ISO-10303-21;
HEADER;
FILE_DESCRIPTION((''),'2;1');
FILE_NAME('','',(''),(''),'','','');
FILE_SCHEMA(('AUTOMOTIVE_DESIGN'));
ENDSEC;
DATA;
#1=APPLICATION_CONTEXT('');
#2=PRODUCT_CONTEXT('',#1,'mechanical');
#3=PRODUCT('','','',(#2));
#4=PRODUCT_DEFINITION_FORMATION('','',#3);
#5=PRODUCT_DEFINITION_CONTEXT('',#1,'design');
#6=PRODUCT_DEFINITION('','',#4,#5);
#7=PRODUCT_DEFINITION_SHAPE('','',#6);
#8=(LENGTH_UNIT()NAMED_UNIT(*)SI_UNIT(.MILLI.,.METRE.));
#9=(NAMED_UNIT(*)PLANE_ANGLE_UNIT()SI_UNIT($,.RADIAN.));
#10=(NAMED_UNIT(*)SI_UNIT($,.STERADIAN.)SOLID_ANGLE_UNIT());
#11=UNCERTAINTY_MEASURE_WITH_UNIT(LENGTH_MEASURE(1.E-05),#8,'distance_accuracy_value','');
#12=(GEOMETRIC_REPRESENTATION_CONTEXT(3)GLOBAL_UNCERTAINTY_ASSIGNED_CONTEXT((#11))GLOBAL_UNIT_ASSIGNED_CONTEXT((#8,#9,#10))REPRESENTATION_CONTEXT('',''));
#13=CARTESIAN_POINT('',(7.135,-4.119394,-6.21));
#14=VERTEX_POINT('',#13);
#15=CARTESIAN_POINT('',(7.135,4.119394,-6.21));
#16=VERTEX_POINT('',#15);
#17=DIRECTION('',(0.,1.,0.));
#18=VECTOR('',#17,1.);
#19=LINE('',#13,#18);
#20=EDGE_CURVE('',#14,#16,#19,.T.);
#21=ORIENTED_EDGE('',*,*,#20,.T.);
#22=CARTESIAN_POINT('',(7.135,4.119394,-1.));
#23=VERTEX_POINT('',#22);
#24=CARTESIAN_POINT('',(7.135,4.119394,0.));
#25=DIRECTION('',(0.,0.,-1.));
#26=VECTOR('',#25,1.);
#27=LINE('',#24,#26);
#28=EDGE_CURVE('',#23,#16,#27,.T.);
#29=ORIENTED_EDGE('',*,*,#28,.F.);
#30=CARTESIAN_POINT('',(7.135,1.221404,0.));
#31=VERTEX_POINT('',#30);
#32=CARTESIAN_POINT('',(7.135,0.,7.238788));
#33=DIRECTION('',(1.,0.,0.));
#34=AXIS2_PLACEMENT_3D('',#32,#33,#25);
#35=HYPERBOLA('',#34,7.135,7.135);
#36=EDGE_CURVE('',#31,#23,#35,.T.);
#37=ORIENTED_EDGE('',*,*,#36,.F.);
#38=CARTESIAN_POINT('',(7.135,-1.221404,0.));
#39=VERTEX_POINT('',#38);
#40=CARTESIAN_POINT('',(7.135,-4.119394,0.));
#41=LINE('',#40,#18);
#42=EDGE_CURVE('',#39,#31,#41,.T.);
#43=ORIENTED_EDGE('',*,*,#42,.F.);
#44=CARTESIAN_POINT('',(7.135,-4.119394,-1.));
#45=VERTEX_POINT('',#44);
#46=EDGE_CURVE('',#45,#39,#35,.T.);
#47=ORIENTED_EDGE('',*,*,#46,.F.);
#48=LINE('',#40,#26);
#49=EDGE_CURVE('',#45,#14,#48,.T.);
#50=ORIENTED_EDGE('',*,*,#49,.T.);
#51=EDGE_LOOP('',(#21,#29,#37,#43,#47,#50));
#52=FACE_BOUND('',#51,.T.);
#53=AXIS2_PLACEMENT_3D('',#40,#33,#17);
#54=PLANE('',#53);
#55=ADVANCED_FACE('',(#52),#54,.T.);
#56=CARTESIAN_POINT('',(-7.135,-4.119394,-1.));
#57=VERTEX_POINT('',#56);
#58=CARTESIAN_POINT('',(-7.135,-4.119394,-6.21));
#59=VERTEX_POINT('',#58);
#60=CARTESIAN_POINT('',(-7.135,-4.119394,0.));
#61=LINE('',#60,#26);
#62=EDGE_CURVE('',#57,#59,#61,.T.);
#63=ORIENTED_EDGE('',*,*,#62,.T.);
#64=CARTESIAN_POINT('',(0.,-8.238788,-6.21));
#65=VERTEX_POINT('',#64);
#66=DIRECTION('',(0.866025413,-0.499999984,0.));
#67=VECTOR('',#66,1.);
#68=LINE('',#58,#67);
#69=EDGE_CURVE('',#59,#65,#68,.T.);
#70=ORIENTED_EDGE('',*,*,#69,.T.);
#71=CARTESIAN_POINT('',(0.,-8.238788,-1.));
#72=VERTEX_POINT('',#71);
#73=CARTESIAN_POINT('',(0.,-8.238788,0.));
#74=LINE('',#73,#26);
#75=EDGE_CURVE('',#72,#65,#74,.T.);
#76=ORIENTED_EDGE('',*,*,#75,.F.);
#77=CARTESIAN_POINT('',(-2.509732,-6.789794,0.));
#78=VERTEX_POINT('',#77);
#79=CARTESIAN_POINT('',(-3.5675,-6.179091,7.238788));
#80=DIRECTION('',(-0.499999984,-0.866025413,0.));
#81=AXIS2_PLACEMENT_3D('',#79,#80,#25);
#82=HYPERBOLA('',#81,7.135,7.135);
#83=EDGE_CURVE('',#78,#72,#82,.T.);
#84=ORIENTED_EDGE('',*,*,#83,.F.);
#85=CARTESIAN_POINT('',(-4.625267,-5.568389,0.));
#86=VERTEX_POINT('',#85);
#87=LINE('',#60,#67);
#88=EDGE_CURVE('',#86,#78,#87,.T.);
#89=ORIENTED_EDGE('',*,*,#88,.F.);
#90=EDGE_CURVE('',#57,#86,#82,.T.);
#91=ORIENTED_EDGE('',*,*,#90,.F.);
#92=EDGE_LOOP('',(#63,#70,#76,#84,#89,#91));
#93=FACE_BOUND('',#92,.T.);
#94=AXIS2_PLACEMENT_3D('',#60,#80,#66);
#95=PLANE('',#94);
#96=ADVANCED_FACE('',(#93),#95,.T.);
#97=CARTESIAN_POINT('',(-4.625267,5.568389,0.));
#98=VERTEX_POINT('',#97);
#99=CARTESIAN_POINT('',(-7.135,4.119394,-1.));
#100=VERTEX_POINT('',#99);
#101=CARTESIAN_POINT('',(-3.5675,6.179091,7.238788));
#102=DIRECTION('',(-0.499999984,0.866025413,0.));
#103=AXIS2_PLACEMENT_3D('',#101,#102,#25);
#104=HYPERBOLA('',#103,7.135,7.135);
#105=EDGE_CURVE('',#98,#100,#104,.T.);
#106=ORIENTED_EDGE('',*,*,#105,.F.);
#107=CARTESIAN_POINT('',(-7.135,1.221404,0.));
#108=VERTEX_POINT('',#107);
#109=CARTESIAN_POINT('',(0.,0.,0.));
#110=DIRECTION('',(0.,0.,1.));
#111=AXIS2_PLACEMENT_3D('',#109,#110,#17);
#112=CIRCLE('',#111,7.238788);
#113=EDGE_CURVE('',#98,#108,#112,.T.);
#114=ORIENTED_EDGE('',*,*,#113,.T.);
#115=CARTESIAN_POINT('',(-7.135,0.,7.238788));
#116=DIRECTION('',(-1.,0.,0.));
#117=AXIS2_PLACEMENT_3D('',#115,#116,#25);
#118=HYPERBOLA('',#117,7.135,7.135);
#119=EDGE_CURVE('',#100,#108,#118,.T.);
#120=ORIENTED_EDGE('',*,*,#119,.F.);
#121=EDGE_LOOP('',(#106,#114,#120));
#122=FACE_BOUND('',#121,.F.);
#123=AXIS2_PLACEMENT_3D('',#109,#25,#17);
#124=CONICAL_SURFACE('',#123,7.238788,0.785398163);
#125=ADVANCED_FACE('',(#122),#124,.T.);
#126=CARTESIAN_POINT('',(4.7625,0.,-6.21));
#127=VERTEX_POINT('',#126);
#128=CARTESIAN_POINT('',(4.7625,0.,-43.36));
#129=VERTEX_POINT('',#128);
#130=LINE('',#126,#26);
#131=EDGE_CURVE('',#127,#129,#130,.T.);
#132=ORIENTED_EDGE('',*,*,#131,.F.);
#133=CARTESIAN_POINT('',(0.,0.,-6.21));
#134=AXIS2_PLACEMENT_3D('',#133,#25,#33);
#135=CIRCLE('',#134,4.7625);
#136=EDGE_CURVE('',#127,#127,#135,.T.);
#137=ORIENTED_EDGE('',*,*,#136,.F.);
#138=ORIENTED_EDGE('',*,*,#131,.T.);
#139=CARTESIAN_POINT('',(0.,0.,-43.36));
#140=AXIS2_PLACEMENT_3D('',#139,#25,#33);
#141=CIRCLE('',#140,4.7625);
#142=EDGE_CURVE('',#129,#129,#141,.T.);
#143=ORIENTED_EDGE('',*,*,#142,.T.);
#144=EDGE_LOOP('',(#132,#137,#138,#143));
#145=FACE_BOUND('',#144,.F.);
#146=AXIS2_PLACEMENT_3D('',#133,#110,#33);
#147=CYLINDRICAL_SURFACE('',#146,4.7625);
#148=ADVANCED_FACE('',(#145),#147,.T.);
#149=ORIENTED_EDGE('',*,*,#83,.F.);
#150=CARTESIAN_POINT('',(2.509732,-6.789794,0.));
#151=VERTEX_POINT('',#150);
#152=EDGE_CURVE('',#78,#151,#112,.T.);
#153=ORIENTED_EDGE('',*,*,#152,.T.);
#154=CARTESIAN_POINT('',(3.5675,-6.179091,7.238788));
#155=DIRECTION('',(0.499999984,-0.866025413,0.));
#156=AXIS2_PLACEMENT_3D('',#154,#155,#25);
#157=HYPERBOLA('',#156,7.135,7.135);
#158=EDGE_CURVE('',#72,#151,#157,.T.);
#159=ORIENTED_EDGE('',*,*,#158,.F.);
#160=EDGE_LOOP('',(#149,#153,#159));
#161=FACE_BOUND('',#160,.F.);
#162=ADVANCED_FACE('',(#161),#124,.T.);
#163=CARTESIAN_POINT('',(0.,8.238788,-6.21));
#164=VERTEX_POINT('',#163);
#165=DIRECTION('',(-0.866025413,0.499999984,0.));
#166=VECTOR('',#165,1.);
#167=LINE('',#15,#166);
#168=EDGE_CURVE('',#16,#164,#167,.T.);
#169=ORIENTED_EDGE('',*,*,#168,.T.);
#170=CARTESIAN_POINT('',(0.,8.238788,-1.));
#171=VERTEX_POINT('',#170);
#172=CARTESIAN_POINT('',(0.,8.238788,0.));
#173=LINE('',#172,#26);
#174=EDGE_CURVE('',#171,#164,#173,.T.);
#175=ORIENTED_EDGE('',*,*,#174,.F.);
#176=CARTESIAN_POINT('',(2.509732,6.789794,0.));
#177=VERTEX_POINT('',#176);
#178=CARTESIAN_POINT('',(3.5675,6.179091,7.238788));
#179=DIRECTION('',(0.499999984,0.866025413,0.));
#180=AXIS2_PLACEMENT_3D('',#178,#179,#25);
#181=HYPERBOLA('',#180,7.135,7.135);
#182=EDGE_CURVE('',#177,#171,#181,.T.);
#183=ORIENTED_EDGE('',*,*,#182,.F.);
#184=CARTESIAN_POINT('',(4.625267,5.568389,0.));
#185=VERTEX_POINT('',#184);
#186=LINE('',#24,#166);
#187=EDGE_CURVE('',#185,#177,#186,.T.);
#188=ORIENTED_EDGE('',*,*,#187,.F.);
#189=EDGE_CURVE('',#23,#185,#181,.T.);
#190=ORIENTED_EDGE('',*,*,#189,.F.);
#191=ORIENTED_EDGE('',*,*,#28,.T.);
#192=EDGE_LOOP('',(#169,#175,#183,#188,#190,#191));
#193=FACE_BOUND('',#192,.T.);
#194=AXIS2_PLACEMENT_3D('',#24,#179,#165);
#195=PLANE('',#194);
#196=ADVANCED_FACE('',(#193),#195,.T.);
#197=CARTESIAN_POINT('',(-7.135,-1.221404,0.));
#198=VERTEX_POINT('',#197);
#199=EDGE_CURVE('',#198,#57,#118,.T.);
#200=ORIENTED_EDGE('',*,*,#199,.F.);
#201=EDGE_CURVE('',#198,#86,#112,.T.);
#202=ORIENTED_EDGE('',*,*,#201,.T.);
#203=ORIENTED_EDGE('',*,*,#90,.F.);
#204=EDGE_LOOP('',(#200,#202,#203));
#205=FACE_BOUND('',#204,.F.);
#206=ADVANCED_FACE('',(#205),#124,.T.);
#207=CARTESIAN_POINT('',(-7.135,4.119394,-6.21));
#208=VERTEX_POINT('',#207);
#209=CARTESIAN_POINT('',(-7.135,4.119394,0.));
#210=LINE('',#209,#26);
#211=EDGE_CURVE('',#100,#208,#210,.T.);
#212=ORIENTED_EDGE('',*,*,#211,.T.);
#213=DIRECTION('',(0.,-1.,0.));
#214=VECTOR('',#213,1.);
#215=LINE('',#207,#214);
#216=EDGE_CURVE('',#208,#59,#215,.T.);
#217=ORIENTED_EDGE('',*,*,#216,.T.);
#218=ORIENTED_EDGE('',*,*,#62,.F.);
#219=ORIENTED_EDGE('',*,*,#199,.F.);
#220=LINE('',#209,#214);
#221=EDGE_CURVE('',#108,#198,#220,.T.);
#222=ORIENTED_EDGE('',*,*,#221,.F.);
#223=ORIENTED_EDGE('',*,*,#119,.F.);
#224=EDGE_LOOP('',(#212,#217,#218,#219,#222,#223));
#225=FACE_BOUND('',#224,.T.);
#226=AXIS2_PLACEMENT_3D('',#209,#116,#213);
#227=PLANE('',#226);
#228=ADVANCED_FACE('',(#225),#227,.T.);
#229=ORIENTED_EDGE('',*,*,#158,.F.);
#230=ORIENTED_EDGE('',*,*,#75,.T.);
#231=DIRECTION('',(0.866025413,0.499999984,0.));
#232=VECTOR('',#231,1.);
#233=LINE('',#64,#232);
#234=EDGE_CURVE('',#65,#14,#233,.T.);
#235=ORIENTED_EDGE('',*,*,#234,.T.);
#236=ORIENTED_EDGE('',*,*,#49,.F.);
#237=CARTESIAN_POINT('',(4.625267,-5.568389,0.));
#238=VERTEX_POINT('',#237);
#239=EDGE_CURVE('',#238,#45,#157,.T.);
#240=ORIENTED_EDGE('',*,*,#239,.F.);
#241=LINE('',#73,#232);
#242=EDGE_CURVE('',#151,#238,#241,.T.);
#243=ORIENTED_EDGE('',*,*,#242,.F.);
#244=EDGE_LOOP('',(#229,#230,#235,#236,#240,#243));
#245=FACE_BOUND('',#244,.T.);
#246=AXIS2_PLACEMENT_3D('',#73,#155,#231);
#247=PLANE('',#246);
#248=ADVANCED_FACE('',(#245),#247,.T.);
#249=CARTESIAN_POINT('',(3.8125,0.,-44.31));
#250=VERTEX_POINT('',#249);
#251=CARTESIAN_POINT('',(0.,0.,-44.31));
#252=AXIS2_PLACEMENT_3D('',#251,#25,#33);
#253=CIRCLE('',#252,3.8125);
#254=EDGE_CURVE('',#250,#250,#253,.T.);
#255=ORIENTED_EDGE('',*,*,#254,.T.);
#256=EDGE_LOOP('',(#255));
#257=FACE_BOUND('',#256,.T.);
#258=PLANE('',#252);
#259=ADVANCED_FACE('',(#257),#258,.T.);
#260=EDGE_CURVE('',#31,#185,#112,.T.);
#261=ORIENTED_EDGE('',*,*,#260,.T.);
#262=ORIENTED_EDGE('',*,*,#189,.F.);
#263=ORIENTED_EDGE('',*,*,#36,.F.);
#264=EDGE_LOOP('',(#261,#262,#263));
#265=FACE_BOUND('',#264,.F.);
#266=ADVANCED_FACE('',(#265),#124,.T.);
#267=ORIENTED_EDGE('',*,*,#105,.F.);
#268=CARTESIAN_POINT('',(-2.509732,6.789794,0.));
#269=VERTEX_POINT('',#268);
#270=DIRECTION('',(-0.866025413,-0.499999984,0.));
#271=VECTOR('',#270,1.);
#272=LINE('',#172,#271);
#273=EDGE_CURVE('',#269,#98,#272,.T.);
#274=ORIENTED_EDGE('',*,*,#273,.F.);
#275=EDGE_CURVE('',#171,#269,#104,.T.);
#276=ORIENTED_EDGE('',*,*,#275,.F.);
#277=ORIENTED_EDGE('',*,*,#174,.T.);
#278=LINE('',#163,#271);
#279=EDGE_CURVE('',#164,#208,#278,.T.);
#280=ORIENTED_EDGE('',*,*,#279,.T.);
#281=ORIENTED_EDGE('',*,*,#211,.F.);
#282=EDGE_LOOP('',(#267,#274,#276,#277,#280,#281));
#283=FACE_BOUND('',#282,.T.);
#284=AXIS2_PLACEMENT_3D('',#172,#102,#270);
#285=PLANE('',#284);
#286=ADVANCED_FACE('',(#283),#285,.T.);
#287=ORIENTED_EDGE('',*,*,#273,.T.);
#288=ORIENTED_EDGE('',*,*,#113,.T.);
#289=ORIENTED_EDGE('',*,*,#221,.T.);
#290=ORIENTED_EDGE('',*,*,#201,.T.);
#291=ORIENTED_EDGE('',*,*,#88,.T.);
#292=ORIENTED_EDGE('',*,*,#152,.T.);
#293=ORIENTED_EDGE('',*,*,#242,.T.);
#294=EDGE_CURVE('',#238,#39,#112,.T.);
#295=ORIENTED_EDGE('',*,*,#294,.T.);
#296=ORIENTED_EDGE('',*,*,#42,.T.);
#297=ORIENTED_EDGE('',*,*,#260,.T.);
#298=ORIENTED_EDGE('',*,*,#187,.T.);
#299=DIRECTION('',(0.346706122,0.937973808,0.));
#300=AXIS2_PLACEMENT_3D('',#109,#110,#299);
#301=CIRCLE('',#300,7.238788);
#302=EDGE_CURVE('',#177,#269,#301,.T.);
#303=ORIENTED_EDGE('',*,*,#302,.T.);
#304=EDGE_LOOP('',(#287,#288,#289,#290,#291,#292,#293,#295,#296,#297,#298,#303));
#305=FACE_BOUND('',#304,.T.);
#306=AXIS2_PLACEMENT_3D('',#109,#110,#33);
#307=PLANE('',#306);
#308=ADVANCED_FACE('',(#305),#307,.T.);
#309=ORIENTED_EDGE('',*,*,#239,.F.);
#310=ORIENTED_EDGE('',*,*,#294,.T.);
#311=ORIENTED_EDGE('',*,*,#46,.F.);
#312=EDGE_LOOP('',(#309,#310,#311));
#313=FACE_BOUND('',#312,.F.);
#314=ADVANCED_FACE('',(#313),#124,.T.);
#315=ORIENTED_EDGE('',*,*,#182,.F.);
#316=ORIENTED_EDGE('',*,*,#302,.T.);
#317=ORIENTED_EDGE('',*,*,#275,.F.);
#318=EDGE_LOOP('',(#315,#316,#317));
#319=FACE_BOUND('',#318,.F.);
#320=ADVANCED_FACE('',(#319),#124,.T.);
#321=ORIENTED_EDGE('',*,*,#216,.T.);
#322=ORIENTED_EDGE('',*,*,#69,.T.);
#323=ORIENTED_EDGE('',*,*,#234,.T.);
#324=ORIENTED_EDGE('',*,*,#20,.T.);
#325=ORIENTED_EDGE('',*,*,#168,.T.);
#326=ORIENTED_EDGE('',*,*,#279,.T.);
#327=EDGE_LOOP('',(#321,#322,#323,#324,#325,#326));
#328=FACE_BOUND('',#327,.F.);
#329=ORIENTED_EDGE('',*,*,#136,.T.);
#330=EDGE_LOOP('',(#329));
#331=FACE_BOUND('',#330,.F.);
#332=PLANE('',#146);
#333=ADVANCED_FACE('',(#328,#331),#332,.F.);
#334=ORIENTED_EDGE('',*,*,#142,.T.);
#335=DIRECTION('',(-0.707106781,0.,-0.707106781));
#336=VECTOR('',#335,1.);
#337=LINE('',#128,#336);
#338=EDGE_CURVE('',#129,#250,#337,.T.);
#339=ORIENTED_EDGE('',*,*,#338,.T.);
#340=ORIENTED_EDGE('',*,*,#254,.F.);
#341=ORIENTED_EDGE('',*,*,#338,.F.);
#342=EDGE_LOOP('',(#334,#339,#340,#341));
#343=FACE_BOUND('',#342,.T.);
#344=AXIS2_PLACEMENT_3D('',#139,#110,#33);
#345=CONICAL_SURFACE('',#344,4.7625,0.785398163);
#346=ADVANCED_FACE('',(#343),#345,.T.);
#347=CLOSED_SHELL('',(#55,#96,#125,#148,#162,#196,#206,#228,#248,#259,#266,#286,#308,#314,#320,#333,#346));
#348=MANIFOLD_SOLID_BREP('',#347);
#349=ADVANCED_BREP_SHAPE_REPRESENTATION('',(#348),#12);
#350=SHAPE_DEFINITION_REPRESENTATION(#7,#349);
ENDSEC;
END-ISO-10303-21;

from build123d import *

# Parameters (mm, degrees)
F1_DEPTH = 6.21
F2_R     = 4.7625
F3_DEPTH = 38.1
F4_SIZE2 = 0.95
F4_SIZE  = 0.95


with BuildPart() as f1:
    # F0 (on Top) → F1 (new body)
    with BuildSketch(Plane.XY):
        Polygon((7.135, 4.119394), (0, 8.238788), (-7.135, 4.119394), (-7.135, -4.119394), (0, -8.238788), (7.135, -4.119394), align=None)
    extrude(amount=-F1_DEPTH)

    # F2 (on face) → F3 (join)
    with BuildSketch(Plane(origin=(0, 0, -6.21), x_dir=(1, 0, 0), z_dir=(0, 0, -1))):
        Circle(F2_R)
    extrude(amount=F3_DEPTH)

    # F4
    f4_edges = [f1.edges().sort_by_distance(p)[0] for p in [
        (-4.7625, 0, -44.31),
    ]]
    chamfer(f4_edges, length=F4_SIZE, length2=F4_SIZE2)

    # F5 (on Right) → F6 (revolve, cut)
    with BuildSketch(Plane.YZ):
        Polygon((8.238788, 0), (7.238788, 0), (8.238788, -1), align=None)
    revolve(axis=Axis((0, 0, -6.21), (0, 0, 1)), mode=Mode.SUBTRACT)


solid = f1.part
